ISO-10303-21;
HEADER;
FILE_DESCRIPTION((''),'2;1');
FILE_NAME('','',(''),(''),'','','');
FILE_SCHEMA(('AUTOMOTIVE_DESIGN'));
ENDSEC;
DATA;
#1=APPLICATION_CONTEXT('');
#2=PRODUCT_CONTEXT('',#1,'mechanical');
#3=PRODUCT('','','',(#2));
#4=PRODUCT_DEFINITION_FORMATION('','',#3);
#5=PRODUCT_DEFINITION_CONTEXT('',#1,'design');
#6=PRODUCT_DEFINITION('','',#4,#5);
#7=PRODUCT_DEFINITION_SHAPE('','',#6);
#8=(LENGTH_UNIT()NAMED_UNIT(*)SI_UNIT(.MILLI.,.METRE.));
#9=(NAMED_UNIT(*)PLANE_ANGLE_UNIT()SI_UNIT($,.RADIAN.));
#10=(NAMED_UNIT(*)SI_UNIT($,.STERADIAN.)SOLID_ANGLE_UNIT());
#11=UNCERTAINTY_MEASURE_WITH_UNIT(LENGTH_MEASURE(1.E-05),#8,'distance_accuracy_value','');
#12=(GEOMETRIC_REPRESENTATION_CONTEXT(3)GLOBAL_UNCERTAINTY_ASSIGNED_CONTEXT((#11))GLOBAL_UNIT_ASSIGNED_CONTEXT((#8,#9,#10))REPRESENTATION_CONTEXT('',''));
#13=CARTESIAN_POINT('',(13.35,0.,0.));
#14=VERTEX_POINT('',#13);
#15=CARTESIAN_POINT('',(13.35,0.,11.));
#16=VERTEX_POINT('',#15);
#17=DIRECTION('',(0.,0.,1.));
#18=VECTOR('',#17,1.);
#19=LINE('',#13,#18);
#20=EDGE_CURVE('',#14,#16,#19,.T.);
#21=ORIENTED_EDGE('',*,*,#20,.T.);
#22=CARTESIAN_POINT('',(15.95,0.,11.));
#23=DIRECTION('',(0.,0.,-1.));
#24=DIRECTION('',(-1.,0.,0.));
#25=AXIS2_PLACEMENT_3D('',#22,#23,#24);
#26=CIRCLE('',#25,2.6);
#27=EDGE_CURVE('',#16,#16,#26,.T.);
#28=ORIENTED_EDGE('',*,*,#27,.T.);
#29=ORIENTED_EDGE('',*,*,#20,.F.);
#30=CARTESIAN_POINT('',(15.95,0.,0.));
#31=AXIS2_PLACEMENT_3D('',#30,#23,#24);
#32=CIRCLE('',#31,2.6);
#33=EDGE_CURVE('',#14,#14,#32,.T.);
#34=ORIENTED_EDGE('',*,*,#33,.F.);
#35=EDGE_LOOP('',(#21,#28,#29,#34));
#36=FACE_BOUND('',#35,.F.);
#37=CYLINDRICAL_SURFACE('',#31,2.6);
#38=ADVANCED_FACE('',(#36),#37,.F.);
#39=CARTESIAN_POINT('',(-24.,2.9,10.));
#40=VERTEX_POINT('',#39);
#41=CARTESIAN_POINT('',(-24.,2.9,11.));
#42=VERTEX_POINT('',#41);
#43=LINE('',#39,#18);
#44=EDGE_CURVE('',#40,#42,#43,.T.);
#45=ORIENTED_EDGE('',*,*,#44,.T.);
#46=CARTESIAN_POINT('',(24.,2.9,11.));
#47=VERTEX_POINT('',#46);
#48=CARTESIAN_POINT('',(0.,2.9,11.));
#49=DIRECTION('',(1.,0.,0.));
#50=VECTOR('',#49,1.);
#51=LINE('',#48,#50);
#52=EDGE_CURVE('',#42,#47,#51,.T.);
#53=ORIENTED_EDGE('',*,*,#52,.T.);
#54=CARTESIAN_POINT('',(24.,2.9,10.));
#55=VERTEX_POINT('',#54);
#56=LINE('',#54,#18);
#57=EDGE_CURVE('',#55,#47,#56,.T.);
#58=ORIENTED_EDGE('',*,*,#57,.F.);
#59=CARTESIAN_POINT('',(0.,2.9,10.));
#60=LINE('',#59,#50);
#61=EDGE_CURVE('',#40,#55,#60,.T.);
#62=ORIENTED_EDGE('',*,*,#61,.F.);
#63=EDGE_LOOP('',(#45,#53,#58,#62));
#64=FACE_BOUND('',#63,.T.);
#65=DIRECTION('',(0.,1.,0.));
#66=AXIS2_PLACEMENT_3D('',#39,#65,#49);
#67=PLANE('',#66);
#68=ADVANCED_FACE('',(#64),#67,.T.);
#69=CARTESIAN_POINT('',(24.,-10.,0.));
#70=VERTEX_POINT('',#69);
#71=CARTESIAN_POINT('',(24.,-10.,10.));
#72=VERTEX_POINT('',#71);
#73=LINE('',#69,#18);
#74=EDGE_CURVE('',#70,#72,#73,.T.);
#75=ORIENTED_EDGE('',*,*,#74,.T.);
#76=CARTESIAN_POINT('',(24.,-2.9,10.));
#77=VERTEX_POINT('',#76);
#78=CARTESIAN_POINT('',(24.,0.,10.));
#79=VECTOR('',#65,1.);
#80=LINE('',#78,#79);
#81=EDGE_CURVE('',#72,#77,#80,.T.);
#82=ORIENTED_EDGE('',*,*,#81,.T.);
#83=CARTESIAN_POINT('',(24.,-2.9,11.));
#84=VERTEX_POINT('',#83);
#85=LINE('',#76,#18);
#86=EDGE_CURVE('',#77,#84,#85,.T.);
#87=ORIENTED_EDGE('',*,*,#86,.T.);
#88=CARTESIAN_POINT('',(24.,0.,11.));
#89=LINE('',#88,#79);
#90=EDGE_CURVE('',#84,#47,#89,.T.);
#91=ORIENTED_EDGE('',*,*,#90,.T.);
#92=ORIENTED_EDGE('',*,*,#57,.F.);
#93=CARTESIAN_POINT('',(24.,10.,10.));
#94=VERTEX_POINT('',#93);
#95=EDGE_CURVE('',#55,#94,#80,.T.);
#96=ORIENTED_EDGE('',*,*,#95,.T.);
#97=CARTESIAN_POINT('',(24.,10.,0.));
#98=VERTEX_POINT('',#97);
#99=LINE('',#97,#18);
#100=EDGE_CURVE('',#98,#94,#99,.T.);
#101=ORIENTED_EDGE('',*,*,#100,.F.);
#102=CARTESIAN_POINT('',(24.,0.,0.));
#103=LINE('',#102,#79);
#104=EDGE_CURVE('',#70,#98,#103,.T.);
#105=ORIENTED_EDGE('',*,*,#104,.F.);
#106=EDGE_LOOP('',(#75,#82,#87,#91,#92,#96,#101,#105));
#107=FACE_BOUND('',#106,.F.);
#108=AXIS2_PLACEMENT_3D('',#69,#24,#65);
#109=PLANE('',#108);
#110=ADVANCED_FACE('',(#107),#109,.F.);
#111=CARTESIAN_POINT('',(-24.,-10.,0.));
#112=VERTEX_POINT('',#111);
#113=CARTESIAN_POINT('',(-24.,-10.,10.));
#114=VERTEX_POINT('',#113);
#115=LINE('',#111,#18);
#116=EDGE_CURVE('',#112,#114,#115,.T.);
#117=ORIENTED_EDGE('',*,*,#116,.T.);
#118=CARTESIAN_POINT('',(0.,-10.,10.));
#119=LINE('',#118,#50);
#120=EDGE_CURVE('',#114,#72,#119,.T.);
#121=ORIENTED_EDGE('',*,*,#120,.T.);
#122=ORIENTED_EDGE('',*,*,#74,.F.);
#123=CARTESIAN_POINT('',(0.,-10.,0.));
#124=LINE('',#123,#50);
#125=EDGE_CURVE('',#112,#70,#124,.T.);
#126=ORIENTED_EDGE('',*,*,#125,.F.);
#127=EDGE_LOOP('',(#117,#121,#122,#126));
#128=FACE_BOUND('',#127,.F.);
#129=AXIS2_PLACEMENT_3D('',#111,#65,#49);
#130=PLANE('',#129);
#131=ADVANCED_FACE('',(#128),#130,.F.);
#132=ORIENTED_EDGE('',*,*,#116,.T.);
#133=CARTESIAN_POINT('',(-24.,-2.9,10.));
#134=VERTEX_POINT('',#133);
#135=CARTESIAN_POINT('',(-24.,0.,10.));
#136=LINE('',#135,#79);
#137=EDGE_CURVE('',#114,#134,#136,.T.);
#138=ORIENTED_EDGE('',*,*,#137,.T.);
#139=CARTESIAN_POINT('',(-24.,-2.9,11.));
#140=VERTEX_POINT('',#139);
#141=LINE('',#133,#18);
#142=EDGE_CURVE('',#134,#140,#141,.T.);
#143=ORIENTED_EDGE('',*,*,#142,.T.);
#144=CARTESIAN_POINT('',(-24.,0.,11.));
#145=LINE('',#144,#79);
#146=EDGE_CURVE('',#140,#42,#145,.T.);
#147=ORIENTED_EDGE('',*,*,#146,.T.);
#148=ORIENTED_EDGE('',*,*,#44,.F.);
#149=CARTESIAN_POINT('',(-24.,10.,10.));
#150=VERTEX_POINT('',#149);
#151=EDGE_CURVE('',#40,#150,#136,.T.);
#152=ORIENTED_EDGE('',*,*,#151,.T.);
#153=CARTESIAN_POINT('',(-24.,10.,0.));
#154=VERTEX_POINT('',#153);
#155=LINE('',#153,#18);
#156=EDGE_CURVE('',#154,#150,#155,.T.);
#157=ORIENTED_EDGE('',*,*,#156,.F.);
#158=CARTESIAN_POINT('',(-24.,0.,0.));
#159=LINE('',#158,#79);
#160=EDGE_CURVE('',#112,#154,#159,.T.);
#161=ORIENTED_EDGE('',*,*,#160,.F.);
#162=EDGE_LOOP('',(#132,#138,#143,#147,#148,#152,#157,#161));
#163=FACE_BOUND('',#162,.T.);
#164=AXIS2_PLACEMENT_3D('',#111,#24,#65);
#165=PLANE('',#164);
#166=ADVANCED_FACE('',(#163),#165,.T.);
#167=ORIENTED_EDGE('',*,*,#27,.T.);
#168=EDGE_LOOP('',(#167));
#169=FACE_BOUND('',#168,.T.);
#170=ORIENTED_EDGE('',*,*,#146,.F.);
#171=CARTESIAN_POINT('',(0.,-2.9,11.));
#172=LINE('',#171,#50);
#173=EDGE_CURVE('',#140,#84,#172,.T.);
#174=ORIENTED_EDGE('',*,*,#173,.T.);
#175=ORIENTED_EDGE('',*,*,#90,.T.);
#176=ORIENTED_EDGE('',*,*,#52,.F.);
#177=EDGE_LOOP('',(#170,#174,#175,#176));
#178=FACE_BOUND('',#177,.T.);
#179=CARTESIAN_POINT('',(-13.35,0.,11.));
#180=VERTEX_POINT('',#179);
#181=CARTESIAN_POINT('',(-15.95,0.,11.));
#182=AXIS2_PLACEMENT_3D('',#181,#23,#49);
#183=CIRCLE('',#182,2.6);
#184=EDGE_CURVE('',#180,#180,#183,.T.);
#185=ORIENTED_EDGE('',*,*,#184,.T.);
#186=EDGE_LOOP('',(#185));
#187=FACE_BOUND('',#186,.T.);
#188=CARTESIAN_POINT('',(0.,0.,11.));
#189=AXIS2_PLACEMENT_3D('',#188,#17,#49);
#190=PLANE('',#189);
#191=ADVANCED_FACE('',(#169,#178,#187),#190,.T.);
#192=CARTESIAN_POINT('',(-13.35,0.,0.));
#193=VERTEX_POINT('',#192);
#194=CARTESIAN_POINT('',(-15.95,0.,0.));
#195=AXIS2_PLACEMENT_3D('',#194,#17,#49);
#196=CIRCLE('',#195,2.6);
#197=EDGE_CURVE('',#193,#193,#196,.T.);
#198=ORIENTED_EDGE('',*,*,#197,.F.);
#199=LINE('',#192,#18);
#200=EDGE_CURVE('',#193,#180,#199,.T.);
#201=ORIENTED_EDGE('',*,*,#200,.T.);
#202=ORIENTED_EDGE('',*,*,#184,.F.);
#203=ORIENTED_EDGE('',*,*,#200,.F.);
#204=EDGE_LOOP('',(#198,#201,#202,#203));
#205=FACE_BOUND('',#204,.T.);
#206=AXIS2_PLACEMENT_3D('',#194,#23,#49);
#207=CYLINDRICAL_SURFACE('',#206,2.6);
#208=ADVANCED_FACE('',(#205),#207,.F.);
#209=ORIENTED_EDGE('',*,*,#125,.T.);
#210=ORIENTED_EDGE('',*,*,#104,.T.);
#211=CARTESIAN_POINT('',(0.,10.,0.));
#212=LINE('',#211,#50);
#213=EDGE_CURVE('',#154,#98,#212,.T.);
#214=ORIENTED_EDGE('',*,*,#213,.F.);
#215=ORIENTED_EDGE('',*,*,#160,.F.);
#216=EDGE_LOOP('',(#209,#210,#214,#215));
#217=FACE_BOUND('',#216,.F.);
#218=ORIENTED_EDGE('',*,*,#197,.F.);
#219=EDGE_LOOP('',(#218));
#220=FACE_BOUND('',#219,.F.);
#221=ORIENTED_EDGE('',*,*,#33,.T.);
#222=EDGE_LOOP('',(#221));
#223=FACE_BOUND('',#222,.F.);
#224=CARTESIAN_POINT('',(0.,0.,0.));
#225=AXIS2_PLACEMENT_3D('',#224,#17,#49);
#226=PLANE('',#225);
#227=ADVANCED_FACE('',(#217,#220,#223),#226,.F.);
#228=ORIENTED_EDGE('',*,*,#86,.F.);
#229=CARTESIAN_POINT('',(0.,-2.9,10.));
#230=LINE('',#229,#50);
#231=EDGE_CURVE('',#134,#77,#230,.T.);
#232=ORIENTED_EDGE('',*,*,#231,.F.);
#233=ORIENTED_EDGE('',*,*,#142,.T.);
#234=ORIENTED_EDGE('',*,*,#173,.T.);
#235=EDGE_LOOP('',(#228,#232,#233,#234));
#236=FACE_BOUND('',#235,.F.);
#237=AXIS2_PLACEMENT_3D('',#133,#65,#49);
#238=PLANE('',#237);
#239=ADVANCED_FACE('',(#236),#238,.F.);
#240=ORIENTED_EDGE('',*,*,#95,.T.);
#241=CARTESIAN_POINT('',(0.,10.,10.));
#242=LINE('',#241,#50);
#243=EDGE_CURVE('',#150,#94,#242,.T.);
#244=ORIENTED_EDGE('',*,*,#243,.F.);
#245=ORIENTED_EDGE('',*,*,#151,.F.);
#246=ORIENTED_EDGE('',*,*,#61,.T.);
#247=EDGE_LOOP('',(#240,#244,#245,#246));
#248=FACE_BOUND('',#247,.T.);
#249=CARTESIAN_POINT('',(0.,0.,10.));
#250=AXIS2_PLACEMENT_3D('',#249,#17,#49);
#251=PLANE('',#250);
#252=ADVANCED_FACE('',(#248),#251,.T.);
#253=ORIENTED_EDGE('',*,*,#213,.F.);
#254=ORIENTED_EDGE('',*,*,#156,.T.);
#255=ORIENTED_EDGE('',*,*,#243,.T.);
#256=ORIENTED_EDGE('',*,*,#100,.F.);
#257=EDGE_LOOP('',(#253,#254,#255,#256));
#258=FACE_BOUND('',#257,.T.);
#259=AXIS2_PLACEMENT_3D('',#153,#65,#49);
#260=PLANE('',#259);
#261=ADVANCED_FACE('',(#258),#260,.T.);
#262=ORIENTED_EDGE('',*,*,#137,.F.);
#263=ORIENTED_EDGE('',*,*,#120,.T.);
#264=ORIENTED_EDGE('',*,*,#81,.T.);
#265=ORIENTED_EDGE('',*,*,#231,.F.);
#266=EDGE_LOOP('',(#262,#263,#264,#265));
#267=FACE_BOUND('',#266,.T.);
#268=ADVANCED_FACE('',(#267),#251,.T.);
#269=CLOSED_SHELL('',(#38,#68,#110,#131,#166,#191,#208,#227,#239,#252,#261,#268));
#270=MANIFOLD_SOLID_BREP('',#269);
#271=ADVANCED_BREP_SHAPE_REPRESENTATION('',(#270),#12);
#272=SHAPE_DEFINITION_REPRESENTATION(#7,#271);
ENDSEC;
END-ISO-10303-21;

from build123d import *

# Parameters (mm, degrees)
SKETCH1_W           = 48
SKETCH1_H           = 20
BOSS_EXTRUDE1_DEPTH = 10
SKETCH4_W           = 48
SKETCH4_H           = 5.8
BOSS_EXTRUDE2_DEPTH = 1
SKETCH2_R           = 2.6
CUT_EXTRUDE1_DEPTH  = 12


with BuildPart() as part:
    # Sketch1 → Boss-Extrude1 (new body)
    with BuildSketch(Plane.XY):
        Rectangle(SKETCH1_W, SKETCH1_H)
    extrude(amount=BOSS_EXTRUDE1_DEPTH)

    # Sketch4 → Boss-Extrude2 (add)
    with BuildSketch(Plane.XY.offset(10)):
        Rectangle(SKETCH4_W, SKETCH4_H)
    extrude(amount=BOSS_EXTRUDE2_DEPTH)

    # Sketch2 → Cut-Extrude1 (cut, through all)
    with BuildSketch(Plane.XY):
        with Locations((-15.95, 0)):
            Circle(SKETCH2_R)
    cut_extrude1 = extrude(amount=CUT_EXTRUDE1_DEPTH, mode=Mode.SUBTRACT)

    # Mirror1: Cut-Extrude1 across plane
    add(cut_extrude1.mirror(Plane(origin=(0, 0, 0), x_dir=(0, 0, 1), z_dir=(1, 0, 0))), mode=Mode.SUBTRACT)


solid = part.part
